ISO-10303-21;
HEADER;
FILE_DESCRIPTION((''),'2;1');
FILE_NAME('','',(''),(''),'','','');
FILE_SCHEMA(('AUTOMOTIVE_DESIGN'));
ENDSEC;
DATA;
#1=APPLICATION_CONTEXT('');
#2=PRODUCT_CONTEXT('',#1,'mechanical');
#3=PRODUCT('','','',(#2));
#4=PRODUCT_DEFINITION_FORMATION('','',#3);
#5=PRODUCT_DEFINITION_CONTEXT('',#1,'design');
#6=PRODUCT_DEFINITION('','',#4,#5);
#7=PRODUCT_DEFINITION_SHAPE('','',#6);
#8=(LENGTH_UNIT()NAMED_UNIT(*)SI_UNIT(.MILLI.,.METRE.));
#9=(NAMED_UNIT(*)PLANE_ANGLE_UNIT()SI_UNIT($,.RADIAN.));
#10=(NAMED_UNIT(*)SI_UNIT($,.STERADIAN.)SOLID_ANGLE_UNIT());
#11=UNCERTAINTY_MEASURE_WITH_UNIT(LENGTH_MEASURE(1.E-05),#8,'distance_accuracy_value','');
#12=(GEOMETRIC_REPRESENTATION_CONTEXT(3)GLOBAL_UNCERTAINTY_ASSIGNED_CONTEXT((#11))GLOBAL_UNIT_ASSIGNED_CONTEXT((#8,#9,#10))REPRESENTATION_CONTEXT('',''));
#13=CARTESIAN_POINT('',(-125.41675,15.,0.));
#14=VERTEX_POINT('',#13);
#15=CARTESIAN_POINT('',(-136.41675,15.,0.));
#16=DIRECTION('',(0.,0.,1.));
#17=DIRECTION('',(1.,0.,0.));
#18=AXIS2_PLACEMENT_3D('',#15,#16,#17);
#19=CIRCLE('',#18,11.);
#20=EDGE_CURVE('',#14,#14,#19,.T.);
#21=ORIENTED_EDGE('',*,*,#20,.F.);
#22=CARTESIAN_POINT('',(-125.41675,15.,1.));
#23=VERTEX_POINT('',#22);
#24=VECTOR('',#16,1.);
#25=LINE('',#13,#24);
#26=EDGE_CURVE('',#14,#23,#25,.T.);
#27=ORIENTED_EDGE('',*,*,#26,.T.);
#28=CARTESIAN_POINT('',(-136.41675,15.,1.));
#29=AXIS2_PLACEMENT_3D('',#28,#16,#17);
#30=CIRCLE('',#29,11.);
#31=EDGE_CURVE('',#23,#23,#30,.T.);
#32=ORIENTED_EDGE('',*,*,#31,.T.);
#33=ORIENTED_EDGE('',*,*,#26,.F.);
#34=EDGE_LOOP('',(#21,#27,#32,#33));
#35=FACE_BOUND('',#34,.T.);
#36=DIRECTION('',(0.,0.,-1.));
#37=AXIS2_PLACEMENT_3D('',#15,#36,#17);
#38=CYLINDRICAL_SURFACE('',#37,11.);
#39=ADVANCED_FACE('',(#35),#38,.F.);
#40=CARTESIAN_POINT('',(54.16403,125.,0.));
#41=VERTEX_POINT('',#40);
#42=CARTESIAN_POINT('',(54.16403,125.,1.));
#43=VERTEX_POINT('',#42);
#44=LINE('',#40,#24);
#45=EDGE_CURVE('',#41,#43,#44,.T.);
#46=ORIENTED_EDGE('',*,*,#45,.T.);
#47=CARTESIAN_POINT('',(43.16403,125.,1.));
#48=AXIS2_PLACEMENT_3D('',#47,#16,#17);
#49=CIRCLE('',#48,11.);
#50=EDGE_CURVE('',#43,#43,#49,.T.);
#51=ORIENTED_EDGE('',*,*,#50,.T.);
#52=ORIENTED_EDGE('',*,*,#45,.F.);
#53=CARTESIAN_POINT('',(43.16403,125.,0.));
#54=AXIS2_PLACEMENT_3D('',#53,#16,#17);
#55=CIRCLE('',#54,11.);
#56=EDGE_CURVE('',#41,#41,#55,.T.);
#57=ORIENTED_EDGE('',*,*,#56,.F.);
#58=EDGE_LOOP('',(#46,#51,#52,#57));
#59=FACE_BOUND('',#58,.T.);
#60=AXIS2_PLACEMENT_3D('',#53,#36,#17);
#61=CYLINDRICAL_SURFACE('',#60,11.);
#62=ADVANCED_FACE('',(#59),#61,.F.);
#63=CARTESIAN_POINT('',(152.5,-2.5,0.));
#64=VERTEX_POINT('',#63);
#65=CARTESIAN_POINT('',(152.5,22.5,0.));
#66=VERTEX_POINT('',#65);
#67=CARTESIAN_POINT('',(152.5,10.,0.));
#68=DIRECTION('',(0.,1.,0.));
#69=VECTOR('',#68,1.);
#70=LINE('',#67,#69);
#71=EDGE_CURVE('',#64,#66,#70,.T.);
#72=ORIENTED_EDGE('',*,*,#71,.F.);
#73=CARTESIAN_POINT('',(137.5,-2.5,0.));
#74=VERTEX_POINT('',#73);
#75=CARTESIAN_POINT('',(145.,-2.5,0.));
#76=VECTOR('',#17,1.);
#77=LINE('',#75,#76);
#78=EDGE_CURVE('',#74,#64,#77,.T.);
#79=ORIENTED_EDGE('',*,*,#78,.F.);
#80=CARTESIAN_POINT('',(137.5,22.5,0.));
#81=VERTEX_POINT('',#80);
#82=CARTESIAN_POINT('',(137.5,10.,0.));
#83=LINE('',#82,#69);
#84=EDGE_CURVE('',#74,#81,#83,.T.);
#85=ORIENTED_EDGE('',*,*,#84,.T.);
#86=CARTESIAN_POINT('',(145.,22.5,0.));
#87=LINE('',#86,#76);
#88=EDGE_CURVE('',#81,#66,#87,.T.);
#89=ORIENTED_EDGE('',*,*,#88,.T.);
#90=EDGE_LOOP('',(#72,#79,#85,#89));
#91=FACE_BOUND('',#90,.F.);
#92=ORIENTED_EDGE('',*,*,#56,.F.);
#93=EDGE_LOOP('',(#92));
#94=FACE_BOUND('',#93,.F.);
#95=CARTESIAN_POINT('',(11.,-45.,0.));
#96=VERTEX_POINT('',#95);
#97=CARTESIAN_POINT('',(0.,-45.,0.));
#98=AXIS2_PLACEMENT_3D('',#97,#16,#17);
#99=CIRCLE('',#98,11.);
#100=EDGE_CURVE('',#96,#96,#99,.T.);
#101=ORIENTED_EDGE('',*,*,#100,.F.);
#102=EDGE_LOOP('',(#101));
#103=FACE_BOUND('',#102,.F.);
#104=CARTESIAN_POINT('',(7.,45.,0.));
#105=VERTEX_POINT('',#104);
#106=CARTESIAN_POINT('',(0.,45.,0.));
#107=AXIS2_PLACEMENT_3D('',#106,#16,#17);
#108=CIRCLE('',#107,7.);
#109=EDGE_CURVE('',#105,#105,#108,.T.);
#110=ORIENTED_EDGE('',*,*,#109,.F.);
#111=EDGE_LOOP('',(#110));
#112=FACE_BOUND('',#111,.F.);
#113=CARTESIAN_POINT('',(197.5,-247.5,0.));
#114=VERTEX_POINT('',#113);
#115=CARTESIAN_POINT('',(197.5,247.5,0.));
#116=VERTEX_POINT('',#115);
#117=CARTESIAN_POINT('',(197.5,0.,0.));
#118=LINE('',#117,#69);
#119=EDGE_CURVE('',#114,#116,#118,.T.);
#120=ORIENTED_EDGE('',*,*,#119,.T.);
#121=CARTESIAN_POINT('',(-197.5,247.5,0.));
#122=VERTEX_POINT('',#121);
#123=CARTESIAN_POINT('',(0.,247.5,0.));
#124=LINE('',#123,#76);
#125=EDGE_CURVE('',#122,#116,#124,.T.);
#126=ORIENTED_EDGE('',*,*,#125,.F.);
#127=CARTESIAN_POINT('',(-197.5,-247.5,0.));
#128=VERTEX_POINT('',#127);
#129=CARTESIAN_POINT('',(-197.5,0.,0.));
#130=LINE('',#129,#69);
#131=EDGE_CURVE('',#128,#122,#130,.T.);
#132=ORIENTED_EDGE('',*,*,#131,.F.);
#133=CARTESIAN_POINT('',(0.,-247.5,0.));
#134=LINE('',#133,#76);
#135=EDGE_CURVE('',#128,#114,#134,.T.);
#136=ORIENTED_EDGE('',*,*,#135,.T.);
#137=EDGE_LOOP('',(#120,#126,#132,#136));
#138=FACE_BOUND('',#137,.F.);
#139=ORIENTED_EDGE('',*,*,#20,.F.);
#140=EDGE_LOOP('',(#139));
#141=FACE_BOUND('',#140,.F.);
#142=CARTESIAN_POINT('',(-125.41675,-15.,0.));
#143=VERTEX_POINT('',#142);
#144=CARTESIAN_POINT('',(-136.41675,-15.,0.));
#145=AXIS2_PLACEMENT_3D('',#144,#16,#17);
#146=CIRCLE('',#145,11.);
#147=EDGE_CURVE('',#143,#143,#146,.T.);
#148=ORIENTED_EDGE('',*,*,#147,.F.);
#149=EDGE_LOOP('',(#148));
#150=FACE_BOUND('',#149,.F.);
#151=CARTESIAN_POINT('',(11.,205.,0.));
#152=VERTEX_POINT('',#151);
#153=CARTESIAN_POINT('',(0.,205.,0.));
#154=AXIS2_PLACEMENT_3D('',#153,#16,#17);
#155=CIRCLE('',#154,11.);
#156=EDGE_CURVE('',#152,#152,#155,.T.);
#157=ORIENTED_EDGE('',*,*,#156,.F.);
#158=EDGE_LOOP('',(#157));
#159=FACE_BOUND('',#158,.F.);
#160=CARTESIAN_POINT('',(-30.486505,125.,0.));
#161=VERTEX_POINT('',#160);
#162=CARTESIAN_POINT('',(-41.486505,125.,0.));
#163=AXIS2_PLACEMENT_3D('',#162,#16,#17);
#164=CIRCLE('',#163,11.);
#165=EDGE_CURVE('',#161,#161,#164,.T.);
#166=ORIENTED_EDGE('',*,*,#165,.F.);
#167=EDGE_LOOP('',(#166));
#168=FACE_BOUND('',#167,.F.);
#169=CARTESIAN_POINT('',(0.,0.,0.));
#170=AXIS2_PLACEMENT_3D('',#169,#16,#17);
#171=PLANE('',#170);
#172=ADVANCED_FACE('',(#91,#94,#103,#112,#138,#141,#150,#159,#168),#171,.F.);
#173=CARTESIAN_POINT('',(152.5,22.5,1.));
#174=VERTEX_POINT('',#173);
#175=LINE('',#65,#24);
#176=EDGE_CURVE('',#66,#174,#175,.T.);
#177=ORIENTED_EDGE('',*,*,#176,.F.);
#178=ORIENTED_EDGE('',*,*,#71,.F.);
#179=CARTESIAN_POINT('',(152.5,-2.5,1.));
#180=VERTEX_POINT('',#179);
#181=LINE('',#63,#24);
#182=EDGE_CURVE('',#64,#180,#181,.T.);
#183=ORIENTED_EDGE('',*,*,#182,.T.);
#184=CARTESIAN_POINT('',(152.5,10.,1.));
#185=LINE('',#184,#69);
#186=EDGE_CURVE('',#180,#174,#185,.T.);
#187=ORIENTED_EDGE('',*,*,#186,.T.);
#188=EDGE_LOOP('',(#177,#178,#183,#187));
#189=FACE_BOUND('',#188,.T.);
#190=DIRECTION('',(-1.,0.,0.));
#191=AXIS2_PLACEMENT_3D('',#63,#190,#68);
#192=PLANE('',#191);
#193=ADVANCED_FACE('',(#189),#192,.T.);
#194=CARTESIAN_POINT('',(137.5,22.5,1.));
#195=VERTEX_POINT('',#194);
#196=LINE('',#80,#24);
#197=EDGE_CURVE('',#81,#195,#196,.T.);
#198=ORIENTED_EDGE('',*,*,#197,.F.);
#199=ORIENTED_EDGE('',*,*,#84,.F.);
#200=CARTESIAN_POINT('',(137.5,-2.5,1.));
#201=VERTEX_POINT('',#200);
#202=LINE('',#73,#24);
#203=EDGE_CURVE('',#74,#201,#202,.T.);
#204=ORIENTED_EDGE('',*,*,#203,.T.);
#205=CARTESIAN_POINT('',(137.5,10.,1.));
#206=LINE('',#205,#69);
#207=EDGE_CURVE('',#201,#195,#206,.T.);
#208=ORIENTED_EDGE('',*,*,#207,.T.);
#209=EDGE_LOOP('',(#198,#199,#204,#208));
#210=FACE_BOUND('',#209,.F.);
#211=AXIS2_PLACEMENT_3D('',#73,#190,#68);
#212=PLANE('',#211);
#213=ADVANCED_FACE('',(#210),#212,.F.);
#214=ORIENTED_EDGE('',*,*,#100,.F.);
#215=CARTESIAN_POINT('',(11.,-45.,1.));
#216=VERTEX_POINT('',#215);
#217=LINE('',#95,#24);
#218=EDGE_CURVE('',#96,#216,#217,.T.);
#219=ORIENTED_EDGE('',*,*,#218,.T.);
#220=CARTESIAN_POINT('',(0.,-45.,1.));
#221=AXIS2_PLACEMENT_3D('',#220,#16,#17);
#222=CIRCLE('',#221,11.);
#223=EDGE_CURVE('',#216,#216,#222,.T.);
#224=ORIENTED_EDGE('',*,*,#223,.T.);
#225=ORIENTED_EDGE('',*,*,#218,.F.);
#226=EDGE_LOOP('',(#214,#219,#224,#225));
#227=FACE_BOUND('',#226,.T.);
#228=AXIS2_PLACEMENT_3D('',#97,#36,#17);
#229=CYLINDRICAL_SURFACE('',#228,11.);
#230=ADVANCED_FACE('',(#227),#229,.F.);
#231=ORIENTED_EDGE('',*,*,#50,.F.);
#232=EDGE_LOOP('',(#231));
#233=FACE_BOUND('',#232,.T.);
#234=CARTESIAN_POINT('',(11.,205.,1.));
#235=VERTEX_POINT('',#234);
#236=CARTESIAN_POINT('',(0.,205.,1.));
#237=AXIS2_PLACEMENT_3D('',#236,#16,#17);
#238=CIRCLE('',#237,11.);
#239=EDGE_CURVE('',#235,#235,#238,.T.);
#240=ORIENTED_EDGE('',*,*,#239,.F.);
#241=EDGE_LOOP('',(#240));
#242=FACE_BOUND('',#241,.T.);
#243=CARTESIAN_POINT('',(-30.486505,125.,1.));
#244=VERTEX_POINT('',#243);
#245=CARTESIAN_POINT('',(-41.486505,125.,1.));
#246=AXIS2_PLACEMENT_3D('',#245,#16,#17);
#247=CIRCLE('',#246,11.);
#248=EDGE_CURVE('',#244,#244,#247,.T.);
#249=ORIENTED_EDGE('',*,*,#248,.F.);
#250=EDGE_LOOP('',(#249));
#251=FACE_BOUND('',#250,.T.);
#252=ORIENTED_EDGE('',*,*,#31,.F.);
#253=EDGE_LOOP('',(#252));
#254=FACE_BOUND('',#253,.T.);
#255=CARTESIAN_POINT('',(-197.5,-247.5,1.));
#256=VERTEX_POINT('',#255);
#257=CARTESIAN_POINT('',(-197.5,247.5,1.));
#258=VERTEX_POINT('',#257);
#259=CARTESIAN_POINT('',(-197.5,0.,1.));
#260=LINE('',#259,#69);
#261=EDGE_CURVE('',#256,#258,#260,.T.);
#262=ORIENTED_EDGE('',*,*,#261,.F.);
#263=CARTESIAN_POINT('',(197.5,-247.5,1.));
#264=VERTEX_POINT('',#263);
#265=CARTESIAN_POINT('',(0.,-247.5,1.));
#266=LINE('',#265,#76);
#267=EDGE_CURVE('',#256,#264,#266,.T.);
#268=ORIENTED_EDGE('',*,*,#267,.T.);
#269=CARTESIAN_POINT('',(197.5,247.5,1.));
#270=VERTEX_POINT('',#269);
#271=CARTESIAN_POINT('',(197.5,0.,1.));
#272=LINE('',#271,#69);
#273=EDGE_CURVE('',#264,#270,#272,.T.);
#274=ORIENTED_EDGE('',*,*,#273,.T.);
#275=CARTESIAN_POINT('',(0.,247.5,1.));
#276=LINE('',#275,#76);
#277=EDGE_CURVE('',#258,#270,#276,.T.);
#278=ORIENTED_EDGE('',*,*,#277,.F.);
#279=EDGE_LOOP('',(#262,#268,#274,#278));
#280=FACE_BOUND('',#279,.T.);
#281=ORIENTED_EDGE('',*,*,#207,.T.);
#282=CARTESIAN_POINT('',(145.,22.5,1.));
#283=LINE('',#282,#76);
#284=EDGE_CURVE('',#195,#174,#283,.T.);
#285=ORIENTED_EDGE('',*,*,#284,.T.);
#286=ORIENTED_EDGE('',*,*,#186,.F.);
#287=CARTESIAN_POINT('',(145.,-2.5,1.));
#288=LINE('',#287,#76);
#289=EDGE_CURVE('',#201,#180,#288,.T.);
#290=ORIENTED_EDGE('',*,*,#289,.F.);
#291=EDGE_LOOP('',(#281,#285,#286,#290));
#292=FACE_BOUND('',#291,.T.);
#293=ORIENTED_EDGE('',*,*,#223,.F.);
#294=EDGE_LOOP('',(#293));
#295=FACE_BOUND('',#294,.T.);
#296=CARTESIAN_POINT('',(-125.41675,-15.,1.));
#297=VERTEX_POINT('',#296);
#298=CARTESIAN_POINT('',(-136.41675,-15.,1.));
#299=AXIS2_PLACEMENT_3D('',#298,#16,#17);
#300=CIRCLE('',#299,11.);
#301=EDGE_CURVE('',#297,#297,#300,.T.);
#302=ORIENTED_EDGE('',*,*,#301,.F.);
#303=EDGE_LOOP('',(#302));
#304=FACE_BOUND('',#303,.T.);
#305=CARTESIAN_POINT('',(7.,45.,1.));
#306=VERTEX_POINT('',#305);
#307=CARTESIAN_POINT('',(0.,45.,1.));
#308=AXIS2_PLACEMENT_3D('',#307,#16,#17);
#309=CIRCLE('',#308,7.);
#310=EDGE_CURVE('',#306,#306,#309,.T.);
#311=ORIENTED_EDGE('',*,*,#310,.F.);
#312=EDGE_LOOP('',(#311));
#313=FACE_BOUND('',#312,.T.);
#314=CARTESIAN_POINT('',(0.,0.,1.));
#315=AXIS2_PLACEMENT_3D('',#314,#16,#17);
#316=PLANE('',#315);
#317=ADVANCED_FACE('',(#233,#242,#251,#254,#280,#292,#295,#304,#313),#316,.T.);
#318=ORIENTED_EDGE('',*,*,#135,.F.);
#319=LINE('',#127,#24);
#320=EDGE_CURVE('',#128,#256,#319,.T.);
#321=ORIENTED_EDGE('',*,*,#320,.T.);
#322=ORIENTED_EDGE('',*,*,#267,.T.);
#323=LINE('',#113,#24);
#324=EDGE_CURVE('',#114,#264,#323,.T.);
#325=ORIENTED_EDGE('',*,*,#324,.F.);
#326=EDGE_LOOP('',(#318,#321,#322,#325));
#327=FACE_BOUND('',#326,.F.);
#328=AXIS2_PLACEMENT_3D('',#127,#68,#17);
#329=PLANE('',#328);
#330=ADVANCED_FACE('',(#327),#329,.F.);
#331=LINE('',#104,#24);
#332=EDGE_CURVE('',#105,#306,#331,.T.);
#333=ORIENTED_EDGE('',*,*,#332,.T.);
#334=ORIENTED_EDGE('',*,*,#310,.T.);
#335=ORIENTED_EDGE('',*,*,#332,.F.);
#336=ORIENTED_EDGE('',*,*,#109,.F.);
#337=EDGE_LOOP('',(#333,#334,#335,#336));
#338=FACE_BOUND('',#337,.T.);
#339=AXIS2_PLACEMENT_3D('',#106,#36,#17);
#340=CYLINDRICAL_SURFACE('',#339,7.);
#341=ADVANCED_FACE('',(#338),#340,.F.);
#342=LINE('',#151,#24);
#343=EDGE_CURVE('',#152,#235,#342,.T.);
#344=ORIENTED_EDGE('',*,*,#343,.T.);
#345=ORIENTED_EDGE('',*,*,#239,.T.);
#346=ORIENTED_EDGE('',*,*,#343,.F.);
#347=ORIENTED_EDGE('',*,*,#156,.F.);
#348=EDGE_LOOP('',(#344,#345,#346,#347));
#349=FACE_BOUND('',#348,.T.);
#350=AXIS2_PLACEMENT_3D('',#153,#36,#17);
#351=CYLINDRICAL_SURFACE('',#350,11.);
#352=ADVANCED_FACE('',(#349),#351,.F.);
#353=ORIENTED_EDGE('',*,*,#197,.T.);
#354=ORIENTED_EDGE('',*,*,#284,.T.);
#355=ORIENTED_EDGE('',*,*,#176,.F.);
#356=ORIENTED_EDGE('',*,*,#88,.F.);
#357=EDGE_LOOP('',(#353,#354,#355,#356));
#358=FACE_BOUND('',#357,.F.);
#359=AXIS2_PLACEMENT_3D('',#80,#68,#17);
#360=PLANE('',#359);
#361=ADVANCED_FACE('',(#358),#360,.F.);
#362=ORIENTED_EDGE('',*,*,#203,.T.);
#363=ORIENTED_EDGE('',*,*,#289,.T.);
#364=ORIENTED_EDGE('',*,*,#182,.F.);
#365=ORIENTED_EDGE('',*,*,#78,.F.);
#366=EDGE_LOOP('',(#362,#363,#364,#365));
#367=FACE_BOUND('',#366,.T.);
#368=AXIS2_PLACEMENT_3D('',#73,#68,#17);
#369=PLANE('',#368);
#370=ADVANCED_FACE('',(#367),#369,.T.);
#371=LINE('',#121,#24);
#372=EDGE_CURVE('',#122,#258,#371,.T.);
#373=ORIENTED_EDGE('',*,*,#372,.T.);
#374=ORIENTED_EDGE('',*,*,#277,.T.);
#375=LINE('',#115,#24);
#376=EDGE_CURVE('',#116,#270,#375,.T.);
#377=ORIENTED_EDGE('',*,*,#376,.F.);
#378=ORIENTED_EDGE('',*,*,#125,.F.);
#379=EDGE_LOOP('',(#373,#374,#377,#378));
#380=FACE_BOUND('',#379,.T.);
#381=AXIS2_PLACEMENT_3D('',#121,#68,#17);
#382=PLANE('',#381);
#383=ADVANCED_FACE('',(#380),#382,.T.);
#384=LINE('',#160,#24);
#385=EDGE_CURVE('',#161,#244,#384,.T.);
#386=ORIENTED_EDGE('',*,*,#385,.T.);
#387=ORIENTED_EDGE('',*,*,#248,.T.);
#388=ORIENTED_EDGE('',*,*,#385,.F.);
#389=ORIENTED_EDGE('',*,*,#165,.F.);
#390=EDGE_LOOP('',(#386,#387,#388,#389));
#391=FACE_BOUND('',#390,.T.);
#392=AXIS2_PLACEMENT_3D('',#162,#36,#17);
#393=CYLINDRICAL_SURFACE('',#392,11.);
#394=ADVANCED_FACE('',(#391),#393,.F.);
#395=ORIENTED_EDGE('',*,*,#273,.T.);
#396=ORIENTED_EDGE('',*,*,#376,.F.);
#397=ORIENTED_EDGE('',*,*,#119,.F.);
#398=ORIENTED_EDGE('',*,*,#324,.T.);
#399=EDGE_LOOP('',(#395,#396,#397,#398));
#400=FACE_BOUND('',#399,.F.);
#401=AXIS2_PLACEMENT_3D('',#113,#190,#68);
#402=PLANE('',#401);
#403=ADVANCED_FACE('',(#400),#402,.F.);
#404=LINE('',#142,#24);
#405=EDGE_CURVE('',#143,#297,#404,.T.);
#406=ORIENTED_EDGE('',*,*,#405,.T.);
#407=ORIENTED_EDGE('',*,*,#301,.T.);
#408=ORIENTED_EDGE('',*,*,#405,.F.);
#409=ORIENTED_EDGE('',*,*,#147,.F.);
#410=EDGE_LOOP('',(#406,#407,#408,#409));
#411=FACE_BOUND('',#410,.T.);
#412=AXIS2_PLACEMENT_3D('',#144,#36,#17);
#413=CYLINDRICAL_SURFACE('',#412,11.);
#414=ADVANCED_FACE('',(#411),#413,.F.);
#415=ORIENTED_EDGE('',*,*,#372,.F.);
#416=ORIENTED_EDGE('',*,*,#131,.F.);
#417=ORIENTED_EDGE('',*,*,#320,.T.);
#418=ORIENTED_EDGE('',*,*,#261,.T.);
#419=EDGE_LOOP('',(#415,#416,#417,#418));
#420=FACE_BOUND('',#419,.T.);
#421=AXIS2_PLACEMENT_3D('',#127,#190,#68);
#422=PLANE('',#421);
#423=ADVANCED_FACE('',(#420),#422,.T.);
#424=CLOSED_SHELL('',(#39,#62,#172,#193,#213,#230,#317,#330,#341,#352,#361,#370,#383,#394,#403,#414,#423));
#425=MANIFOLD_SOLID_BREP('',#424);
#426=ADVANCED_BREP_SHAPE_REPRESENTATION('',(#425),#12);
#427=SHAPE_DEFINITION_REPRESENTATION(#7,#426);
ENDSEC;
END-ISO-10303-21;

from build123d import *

# Parameters (mm, degrees)
F0_W     = 395
F0_H     = 495
F0_R     = 11
F0_R_2   = 7
F0_W_2   = 15
F0_H_2   = 25
F1_DEPTH = 1


with BuildPart() as f1:
    # F0 (on Top) → F1 (new body)
    with BuildSketch(Plane.XY):
        Rectangle(F0_W, F0_H)
        with Locations((-136.41675, -15)):
            Circle(F0_R, mode=Mode.SUBTRACT)
        with Locations((0, -45)):
            Circle(F0_R, mode=Mode.SUBTRACT)
        with Locations((-136.41675, 15)):
            Circle(F0_R, mode=Mode.SUBTRACT)
        with Locations((-41.486505, 125)):
            Circle(F0_R, mode=Mode.SUBTRACT)
        with Locations((0, 45)):
            Circle(F0_R_2, mode=Mode.SUBTRACT)
        with Locations((145, 10)):
            Rectangle(F0_W_2, F0_H_2, mode=Mode.SUBTRACT)
        with Locations((43.16403, 125)):
            Circle(F0_R, mode=Mode.SUBTRACT)
        with Locations((0, 205)):
            Circle(F0_R, mode=Mode.SUBTRACT)
    extrude(amount=F1_DEPTH)


solid = f1.part
